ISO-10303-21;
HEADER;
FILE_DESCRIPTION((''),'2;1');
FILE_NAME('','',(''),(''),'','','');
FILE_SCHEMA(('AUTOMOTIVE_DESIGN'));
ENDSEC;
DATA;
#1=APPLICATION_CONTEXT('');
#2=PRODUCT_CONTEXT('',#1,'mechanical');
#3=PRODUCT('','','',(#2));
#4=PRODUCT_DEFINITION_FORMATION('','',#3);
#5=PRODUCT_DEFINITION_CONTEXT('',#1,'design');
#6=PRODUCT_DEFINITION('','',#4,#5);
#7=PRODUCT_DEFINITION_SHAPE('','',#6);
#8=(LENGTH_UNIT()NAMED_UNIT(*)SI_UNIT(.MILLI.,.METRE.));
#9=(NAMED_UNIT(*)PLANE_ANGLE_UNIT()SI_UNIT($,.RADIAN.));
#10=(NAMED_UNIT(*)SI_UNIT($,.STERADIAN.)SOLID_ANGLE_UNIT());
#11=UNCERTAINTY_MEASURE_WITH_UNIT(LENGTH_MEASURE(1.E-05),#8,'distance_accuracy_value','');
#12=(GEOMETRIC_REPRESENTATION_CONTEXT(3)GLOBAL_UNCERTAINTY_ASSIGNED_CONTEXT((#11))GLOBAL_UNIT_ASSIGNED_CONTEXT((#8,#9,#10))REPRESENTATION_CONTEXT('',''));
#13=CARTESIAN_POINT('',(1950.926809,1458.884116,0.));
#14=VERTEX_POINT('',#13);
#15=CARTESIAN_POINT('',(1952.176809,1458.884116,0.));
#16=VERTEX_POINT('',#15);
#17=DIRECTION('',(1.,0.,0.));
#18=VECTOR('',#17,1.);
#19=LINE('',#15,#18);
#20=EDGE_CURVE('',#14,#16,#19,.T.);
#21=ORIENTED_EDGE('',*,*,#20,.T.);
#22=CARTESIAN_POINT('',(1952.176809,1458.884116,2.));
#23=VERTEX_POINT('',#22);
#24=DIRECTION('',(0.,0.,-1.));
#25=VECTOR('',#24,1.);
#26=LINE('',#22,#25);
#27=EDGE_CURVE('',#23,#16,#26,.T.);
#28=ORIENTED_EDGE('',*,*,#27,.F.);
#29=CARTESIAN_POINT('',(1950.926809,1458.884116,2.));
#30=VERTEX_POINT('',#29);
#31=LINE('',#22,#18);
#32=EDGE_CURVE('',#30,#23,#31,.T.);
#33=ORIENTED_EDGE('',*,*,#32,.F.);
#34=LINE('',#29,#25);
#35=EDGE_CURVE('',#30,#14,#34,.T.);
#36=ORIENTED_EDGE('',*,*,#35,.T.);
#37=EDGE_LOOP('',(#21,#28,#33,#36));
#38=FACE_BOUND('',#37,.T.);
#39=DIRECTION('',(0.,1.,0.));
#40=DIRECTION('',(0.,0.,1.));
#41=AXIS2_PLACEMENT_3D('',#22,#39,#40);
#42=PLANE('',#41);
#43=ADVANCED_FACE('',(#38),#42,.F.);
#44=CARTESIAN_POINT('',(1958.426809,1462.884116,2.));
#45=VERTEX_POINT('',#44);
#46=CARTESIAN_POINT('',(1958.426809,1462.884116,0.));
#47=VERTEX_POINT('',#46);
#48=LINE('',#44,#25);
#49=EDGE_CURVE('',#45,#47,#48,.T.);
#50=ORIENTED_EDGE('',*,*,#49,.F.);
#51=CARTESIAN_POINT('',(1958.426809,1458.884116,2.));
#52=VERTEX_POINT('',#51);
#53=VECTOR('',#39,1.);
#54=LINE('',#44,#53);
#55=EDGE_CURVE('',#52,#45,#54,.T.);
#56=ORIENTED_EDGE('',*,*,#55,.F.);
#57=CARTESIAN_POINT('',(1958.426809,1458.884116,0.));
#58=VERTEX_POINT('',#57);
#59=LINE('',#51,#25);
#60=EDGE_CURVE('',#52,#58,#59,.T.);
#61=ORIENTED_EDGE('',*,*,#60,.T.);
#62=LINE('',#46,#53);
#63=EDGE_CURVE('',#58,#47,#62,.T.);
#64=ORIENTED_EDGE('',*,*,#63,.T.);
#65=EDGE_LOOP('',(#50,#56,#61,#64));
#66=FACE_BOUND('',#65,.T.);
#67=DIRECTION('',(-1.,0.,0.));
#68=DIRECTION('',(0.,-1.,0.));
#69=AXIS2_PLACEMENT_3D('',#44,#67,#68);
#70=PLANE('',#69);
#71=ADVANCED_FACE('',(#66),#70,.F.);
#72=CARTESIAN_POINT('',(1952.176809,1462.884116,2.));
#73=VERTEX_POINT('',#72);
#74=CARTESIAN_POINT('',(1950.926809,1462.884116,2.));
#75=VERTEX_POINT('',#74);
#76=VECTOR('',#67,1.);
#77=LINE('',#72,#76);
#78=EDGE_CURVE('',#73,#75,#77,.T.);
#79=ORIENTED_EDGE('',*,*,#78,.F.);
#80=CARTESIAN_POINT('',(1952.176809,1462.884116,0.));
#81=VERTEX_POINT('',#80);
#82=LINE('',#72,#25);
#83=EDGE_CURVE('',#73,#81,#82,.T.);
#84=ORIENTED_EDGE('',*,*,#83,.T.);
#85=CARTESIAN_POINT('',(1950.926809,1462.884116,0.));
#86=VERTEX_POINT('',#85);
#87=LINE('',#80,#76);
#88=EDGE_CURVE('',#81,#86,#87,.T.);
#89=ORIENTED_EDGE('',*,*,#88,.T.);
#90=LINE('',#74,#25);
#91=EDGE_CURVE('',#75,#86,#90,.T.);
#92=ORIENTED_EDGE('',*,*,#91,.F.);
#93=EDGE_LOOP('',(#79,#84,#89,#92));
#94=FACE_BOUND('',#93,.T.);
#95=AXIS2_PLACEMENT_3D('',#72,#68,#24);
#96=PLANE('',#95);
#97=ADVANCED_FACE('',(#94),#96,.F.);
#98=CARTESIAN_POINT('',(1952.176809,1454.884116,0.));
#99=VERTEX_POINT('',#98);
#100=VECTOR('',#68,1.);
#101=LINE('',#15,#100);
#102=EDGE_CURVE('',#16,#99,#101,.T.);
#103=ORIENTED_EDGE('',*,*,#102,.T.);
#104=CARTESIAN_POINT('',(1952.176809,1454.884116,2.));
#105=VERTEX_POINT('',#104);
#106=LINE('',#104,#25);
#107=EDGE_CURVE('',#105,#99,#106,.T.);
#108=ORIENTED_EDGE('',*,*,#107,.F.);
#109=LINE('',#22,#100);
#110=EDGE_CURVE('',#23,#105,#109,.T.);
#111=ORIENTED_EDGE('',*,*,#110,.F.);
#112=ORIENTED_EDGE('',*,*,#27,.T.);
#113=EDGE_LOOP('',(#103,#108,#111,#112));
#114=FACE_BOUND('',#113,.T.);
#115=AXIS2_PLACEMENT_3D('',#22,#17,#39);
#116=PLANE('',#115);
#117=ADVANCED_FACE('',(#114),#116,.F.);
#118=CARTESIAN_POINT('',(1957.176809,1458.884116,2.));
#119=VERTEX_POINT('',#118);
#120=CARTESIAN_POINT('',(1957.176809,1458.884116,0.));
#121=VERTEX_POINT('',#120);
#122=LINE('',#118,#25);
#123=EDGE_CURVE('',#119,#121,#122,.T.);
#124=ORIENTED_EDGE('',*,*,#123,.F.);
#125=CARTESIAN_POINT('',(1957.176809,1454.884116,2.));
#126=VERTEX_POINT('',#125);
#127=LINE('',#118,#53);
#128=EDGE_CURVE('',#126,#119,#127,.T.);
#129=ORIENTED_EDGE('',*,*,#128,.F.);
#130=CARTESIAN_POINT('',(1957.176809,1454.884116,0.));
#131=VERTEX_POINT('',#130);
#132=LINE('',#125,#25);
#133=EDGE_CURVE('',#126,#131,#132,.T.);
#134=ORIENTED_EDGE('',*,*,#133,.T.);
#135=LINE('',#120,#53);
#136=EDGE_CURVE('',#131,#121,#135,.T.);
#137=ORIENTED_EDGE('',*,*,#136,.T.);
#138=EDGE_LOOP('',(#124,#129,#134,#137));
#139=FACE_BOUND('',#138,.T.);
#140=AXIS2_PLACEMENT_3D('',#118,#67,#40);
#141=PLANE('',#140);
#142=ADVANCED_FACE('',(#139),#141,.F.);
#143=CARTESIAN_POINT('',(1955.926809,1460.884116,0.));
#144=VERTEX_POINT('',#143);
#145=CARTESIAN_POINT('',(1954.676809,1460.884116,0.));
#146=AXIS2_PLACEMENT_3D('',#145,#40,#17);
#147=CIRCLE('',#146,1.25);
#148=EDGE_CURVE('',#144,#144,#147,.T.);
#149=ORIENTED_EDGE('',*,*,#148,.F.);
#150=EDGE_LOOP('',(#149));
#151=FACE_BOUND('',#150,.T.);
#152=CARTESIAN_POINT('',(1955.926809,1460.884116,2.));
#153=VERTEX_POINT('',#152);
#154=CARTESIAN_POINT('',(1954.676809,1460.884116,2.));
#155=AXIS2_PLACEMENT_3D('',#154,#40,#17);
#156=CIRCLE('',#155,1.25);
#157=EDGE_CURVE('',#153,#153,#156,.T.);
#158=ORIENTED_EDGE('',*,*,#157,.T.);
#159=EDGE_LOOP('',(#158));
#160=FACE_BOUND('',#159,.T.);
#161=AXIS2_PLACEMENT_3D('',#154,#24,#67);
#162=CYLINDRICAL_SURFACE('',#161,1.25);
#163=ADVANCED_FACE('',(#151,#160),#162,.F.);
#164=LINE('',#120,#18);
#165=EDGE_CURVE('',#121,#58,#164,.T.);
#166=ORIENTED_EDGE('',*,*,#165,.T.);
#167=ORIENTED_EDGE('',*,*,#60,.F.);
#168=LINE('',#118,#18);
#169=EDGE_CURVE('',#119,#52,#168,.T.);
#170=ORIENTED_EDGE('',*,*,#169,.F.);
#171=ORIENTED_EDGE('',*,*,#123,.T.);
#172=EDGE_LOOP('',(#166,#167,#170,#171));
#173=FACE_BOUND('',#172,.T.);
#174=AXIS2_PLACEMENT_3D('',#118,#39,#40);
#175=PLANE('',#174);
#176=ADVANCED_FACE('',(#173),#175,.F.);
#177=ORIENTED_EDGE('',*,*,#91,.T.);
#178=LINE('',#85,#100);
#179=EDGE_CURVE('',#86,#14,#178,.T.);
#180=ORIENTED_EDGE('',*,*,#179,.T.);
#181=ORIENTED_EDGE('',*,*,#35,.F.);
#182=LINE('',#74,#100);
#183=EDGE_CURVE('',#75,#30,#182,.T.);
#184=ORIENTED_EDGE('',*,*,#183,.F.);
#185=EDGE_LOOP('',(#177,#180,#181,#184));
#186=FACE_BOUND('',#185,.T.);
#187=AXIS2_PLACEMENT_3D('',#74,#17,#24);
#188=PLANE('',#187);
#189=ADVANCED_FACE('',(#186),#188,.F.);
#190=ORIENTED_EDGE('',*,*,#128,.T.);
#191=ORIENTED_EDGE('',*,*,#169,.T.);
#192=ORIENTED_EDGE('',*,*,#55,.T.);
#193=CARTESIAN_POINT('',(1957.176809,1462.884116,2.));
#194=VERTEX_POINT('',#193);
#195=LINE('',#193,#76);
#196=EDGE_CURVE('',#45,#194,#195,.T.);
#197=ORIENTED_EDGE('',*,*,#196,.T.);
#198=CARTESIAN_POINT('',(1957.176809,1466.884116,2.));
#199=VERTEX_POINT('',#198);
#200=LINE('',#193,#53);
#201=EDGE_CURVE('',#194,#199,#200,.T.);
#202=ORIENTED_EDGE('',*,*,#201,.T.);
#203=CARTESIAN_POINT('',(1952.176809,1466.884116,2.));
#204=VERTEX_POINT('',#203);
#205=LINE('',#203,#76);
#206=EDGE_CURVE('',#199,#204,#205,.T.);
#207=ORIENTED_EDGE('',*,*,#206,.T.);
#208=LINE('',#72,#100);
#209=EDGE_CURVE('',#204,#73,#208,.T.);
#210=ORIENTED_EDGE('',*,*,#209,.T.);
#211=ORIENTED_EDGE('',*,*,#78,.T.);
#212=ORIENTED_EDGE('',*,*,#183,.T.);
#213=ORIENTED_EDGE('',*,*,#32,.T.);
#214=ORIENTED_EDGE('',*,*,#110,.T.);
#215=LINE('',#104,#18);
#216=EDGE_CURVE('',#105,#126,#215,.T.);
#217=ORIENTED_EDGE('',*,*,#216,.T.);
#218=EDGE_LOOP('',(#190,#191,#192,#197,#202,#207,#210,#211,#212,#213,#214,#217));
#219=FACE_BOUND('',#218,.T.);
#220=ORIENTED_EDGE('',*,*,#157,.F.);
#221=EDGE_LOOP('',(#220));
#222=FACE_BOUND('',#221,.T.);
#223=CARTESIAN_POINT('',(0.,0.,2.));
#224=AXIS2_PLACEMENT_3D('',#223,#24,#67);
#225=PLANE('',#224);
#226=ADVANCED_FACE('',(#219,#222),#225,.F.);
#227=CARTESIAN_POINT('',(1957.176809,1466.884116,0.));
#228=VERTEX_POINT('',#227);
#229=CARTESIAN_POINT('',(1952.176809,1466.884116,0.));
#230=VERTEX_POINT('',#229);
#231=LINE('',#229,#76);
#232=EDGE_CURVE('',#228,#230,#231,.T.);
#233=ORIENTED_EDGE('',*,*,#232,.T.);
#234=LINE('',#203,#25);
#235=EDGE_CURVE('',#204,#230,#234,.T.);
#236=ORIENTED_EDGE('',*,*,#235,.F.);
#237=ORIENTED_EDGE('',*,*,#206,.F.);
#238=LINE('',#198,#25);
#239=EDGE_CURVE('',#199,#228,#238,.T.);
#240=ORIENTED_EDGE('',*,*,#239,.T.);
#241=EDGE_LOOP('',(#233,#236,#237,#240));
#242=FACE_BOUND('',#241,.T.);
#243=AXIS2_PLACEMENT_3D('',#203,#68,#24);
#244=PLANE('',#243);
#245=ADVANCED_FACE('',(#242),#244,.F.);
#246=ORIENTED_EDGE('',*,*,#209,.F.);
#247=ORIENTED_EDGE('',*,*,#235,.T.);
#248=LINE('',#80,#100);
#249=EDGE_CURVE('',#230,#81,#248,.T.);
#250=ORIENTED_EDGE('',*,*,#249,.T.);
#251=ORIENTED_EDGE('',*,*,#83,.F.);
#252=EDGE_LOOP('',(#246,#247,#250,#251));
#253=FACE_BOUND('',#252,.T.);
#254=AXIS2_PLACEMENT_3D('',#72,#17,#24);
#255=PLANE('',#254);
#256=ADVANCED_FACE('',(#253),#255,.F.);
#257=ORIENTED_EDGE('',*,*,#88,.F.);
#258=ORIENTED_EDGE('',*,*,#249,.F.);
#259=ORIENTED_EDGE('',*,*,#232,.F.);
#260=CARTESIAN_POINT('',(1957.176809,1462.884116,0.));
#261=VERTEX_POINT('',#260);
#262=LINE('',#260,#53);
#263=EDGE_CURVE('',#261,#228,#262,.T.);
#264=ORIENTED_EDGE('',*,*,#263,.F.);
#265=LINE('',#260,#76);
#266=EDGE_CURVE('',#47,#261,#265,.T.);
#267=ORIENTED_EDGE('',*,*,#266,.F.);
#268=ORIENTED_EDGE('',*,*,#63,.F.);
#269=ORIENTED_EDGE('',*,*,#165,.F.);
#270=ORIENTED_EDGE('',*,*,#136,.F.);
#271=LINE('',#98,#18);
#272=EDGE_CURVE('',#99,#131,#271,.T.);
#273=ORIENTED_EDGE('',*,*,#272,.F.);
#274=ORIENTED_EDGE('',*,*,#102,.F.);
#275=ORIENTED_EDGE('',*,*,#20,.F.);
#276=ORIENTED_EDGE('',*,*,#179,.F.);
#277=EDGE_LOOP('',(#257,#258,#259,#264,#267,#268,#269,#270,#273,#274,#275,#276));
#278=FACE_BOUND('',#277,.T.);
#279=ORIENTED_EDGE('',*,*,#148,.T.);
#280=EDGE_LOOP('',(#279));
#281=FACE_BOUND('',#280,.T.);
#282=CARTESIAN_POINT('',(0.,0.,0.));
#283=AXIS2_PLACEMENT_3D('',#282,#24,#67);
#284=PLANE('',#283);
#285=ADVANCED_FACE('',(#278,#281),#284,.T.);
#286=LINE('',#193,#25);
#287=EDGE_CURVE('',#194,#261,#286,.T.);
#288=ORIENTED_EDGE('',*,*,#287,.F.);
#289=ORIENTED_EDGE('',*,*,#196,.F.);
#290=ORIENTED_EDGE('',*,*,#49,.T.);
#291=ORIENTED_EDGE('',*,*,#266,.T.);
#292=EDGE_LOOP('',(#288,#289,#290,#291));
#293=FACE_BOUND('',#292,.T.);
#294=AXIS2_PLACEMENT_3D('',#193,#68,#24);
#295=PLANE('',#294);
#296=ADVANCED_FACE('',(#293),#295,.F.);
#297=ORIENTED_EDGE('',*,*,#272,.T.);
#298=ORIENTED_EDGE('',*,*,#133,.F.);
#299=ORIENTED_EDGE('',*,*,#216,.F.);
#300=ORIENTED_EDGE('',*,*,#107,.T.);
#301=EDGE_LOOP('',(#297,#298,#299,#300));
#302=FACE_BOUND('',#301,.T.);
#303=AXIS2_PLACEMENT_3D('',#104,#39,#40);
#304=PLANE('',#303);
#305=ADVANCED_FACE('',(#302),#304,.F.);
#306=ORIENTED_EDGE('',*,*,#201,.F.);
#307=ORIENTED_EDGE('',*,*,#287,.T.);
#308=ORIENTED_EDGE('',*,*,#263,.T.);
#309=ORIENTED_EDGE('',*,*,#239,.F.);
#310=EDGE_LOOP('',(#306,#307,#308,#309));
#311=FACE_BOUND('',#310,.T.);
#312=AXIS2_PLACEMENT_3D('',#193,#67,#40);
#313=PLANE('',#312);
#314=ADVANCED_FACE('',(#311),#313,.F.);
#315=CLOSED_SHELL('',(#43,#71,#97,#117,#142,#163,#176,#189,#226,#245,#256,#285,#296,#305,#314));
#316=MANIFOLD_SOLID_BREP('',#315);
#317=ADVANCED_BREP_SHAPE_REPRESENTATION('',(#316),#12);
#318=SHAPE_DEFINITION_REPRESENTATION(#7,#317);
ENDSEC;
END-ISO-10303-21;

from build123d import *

# Parameters (mm, degrees)
SKETCH1_R           = 1.25
BOSS_EXTRUDE1_DEPTH = 2


with BuildPart() as part:
    # Sketch1 → Boss-Extrude1 (new body)
    with BuildSketch(Plane.XY):
        Polygon((1952.176808721, 1466.884115951), (1957.176808721, 1466.884115951), (1957.176808721, 1462.884115951), (1958.426808721, 1462.884115951), (1958.426808721, 1458.884115951), (1957.176808721, 1458.884115951), (1957.176808721, 1454.884115951), (1952.176808721, 1454.884115951), (1952.176808721, 1458.884115951), (1950.926808721, 1458.884115951), (1950.926808721, 1462.884115951), (1952.176808721, 1462.884115951), align=None)
        with Locations((1954.676808721, 1460.884115951)):
            Circle(SKETCH1_R, mode=Mode.SUBTRACT)
    extrude(amount=BOSS_EXTRUDE1_DEPTH)


solid = part.part
